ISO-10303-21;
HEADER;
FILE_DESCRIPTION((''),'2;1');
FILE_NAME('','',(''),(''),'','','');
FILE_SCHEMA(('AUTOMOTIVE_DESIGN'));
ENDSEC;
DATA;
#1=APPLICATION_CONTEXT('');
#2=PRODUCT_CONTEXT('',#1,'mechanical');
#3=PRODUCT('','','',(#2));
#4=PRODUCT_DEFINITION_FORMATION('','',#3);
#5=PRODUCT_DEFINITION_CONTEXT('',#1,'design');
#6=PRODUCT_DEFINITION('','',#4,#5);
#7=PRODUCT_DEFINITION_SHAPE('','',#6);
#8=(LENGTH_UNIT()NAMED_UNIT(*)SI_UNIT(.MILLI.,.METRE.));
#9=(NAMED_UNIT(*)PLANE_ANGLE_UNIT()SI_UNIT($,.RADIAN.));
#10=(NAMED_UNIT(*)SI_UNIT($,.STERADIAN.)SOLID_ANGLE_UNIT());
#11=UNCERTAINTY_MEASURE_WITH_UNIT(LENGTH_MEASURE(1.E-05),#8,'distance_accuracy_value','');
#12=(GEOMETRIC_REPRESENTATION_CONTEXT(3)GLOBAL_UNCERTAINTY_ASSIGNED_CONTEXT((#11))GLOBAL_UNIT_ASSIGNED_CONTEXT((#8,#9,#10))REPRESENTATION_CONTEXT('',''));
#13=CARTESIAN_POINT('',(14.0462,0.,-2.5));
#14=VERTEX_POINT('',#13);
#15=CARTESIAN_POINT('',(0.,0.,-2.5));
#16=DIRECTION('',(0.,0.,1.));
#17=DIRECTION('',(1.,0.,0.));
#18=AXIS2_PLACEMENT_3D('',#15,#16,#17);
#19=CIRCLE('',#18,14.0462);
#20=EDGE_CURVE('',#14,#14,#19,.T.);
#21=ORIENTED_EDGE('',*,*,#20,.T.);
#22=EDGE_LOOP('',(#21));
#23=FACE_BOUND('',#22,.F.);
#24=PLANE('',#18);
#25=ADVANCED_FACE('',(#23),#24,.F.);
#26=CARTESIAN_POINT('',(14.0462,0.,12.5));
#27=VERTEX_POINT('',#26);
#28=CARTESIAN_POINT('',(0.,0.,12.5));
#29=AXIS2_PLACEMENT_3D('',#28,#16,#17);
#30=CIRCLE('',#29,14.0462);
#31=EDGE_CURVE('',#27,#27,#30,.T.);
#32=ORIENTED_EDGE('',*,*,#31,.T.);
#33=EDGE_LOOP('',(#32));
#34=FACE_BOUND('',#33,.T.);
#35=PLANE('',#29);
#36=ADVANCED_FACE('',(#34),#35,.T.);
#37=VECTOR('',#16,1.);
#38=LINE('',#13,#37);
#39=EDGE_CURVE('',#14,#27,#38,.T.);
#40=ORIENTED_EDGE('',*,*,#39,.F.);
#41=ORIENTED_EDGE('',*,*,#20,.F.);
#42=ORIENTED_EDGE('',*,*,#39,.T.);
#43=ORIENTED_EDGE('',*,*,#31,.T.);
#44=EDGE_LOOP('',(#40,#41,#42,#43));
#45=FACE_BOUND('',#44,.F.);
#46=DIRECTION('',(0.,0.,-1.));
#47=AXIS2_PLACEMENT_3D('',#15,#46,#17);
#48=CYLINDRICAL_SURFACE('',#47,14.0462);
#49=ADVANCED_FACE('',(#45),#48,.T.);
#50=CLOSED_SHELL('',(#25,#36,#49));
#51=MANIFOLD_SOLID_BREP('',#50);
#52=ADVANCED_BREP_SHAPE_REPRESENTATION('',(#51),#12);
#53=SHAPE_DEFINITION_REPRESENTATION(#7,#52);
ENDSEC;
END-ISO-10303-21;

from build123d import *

# Parameters (mm, degrees)
CYLINDER_R     = 14.0462
CYLINDER_DEPTH = 15


with BuildPart() as part:
    # Cylinder → Cylinder (new body)
    with BuildSketch(Plane.XY.offset(-2.5)):
        Circle(CYLINDER_R)
    extrude(amount=CYLINDER_DEPTH)


solid = part.part
